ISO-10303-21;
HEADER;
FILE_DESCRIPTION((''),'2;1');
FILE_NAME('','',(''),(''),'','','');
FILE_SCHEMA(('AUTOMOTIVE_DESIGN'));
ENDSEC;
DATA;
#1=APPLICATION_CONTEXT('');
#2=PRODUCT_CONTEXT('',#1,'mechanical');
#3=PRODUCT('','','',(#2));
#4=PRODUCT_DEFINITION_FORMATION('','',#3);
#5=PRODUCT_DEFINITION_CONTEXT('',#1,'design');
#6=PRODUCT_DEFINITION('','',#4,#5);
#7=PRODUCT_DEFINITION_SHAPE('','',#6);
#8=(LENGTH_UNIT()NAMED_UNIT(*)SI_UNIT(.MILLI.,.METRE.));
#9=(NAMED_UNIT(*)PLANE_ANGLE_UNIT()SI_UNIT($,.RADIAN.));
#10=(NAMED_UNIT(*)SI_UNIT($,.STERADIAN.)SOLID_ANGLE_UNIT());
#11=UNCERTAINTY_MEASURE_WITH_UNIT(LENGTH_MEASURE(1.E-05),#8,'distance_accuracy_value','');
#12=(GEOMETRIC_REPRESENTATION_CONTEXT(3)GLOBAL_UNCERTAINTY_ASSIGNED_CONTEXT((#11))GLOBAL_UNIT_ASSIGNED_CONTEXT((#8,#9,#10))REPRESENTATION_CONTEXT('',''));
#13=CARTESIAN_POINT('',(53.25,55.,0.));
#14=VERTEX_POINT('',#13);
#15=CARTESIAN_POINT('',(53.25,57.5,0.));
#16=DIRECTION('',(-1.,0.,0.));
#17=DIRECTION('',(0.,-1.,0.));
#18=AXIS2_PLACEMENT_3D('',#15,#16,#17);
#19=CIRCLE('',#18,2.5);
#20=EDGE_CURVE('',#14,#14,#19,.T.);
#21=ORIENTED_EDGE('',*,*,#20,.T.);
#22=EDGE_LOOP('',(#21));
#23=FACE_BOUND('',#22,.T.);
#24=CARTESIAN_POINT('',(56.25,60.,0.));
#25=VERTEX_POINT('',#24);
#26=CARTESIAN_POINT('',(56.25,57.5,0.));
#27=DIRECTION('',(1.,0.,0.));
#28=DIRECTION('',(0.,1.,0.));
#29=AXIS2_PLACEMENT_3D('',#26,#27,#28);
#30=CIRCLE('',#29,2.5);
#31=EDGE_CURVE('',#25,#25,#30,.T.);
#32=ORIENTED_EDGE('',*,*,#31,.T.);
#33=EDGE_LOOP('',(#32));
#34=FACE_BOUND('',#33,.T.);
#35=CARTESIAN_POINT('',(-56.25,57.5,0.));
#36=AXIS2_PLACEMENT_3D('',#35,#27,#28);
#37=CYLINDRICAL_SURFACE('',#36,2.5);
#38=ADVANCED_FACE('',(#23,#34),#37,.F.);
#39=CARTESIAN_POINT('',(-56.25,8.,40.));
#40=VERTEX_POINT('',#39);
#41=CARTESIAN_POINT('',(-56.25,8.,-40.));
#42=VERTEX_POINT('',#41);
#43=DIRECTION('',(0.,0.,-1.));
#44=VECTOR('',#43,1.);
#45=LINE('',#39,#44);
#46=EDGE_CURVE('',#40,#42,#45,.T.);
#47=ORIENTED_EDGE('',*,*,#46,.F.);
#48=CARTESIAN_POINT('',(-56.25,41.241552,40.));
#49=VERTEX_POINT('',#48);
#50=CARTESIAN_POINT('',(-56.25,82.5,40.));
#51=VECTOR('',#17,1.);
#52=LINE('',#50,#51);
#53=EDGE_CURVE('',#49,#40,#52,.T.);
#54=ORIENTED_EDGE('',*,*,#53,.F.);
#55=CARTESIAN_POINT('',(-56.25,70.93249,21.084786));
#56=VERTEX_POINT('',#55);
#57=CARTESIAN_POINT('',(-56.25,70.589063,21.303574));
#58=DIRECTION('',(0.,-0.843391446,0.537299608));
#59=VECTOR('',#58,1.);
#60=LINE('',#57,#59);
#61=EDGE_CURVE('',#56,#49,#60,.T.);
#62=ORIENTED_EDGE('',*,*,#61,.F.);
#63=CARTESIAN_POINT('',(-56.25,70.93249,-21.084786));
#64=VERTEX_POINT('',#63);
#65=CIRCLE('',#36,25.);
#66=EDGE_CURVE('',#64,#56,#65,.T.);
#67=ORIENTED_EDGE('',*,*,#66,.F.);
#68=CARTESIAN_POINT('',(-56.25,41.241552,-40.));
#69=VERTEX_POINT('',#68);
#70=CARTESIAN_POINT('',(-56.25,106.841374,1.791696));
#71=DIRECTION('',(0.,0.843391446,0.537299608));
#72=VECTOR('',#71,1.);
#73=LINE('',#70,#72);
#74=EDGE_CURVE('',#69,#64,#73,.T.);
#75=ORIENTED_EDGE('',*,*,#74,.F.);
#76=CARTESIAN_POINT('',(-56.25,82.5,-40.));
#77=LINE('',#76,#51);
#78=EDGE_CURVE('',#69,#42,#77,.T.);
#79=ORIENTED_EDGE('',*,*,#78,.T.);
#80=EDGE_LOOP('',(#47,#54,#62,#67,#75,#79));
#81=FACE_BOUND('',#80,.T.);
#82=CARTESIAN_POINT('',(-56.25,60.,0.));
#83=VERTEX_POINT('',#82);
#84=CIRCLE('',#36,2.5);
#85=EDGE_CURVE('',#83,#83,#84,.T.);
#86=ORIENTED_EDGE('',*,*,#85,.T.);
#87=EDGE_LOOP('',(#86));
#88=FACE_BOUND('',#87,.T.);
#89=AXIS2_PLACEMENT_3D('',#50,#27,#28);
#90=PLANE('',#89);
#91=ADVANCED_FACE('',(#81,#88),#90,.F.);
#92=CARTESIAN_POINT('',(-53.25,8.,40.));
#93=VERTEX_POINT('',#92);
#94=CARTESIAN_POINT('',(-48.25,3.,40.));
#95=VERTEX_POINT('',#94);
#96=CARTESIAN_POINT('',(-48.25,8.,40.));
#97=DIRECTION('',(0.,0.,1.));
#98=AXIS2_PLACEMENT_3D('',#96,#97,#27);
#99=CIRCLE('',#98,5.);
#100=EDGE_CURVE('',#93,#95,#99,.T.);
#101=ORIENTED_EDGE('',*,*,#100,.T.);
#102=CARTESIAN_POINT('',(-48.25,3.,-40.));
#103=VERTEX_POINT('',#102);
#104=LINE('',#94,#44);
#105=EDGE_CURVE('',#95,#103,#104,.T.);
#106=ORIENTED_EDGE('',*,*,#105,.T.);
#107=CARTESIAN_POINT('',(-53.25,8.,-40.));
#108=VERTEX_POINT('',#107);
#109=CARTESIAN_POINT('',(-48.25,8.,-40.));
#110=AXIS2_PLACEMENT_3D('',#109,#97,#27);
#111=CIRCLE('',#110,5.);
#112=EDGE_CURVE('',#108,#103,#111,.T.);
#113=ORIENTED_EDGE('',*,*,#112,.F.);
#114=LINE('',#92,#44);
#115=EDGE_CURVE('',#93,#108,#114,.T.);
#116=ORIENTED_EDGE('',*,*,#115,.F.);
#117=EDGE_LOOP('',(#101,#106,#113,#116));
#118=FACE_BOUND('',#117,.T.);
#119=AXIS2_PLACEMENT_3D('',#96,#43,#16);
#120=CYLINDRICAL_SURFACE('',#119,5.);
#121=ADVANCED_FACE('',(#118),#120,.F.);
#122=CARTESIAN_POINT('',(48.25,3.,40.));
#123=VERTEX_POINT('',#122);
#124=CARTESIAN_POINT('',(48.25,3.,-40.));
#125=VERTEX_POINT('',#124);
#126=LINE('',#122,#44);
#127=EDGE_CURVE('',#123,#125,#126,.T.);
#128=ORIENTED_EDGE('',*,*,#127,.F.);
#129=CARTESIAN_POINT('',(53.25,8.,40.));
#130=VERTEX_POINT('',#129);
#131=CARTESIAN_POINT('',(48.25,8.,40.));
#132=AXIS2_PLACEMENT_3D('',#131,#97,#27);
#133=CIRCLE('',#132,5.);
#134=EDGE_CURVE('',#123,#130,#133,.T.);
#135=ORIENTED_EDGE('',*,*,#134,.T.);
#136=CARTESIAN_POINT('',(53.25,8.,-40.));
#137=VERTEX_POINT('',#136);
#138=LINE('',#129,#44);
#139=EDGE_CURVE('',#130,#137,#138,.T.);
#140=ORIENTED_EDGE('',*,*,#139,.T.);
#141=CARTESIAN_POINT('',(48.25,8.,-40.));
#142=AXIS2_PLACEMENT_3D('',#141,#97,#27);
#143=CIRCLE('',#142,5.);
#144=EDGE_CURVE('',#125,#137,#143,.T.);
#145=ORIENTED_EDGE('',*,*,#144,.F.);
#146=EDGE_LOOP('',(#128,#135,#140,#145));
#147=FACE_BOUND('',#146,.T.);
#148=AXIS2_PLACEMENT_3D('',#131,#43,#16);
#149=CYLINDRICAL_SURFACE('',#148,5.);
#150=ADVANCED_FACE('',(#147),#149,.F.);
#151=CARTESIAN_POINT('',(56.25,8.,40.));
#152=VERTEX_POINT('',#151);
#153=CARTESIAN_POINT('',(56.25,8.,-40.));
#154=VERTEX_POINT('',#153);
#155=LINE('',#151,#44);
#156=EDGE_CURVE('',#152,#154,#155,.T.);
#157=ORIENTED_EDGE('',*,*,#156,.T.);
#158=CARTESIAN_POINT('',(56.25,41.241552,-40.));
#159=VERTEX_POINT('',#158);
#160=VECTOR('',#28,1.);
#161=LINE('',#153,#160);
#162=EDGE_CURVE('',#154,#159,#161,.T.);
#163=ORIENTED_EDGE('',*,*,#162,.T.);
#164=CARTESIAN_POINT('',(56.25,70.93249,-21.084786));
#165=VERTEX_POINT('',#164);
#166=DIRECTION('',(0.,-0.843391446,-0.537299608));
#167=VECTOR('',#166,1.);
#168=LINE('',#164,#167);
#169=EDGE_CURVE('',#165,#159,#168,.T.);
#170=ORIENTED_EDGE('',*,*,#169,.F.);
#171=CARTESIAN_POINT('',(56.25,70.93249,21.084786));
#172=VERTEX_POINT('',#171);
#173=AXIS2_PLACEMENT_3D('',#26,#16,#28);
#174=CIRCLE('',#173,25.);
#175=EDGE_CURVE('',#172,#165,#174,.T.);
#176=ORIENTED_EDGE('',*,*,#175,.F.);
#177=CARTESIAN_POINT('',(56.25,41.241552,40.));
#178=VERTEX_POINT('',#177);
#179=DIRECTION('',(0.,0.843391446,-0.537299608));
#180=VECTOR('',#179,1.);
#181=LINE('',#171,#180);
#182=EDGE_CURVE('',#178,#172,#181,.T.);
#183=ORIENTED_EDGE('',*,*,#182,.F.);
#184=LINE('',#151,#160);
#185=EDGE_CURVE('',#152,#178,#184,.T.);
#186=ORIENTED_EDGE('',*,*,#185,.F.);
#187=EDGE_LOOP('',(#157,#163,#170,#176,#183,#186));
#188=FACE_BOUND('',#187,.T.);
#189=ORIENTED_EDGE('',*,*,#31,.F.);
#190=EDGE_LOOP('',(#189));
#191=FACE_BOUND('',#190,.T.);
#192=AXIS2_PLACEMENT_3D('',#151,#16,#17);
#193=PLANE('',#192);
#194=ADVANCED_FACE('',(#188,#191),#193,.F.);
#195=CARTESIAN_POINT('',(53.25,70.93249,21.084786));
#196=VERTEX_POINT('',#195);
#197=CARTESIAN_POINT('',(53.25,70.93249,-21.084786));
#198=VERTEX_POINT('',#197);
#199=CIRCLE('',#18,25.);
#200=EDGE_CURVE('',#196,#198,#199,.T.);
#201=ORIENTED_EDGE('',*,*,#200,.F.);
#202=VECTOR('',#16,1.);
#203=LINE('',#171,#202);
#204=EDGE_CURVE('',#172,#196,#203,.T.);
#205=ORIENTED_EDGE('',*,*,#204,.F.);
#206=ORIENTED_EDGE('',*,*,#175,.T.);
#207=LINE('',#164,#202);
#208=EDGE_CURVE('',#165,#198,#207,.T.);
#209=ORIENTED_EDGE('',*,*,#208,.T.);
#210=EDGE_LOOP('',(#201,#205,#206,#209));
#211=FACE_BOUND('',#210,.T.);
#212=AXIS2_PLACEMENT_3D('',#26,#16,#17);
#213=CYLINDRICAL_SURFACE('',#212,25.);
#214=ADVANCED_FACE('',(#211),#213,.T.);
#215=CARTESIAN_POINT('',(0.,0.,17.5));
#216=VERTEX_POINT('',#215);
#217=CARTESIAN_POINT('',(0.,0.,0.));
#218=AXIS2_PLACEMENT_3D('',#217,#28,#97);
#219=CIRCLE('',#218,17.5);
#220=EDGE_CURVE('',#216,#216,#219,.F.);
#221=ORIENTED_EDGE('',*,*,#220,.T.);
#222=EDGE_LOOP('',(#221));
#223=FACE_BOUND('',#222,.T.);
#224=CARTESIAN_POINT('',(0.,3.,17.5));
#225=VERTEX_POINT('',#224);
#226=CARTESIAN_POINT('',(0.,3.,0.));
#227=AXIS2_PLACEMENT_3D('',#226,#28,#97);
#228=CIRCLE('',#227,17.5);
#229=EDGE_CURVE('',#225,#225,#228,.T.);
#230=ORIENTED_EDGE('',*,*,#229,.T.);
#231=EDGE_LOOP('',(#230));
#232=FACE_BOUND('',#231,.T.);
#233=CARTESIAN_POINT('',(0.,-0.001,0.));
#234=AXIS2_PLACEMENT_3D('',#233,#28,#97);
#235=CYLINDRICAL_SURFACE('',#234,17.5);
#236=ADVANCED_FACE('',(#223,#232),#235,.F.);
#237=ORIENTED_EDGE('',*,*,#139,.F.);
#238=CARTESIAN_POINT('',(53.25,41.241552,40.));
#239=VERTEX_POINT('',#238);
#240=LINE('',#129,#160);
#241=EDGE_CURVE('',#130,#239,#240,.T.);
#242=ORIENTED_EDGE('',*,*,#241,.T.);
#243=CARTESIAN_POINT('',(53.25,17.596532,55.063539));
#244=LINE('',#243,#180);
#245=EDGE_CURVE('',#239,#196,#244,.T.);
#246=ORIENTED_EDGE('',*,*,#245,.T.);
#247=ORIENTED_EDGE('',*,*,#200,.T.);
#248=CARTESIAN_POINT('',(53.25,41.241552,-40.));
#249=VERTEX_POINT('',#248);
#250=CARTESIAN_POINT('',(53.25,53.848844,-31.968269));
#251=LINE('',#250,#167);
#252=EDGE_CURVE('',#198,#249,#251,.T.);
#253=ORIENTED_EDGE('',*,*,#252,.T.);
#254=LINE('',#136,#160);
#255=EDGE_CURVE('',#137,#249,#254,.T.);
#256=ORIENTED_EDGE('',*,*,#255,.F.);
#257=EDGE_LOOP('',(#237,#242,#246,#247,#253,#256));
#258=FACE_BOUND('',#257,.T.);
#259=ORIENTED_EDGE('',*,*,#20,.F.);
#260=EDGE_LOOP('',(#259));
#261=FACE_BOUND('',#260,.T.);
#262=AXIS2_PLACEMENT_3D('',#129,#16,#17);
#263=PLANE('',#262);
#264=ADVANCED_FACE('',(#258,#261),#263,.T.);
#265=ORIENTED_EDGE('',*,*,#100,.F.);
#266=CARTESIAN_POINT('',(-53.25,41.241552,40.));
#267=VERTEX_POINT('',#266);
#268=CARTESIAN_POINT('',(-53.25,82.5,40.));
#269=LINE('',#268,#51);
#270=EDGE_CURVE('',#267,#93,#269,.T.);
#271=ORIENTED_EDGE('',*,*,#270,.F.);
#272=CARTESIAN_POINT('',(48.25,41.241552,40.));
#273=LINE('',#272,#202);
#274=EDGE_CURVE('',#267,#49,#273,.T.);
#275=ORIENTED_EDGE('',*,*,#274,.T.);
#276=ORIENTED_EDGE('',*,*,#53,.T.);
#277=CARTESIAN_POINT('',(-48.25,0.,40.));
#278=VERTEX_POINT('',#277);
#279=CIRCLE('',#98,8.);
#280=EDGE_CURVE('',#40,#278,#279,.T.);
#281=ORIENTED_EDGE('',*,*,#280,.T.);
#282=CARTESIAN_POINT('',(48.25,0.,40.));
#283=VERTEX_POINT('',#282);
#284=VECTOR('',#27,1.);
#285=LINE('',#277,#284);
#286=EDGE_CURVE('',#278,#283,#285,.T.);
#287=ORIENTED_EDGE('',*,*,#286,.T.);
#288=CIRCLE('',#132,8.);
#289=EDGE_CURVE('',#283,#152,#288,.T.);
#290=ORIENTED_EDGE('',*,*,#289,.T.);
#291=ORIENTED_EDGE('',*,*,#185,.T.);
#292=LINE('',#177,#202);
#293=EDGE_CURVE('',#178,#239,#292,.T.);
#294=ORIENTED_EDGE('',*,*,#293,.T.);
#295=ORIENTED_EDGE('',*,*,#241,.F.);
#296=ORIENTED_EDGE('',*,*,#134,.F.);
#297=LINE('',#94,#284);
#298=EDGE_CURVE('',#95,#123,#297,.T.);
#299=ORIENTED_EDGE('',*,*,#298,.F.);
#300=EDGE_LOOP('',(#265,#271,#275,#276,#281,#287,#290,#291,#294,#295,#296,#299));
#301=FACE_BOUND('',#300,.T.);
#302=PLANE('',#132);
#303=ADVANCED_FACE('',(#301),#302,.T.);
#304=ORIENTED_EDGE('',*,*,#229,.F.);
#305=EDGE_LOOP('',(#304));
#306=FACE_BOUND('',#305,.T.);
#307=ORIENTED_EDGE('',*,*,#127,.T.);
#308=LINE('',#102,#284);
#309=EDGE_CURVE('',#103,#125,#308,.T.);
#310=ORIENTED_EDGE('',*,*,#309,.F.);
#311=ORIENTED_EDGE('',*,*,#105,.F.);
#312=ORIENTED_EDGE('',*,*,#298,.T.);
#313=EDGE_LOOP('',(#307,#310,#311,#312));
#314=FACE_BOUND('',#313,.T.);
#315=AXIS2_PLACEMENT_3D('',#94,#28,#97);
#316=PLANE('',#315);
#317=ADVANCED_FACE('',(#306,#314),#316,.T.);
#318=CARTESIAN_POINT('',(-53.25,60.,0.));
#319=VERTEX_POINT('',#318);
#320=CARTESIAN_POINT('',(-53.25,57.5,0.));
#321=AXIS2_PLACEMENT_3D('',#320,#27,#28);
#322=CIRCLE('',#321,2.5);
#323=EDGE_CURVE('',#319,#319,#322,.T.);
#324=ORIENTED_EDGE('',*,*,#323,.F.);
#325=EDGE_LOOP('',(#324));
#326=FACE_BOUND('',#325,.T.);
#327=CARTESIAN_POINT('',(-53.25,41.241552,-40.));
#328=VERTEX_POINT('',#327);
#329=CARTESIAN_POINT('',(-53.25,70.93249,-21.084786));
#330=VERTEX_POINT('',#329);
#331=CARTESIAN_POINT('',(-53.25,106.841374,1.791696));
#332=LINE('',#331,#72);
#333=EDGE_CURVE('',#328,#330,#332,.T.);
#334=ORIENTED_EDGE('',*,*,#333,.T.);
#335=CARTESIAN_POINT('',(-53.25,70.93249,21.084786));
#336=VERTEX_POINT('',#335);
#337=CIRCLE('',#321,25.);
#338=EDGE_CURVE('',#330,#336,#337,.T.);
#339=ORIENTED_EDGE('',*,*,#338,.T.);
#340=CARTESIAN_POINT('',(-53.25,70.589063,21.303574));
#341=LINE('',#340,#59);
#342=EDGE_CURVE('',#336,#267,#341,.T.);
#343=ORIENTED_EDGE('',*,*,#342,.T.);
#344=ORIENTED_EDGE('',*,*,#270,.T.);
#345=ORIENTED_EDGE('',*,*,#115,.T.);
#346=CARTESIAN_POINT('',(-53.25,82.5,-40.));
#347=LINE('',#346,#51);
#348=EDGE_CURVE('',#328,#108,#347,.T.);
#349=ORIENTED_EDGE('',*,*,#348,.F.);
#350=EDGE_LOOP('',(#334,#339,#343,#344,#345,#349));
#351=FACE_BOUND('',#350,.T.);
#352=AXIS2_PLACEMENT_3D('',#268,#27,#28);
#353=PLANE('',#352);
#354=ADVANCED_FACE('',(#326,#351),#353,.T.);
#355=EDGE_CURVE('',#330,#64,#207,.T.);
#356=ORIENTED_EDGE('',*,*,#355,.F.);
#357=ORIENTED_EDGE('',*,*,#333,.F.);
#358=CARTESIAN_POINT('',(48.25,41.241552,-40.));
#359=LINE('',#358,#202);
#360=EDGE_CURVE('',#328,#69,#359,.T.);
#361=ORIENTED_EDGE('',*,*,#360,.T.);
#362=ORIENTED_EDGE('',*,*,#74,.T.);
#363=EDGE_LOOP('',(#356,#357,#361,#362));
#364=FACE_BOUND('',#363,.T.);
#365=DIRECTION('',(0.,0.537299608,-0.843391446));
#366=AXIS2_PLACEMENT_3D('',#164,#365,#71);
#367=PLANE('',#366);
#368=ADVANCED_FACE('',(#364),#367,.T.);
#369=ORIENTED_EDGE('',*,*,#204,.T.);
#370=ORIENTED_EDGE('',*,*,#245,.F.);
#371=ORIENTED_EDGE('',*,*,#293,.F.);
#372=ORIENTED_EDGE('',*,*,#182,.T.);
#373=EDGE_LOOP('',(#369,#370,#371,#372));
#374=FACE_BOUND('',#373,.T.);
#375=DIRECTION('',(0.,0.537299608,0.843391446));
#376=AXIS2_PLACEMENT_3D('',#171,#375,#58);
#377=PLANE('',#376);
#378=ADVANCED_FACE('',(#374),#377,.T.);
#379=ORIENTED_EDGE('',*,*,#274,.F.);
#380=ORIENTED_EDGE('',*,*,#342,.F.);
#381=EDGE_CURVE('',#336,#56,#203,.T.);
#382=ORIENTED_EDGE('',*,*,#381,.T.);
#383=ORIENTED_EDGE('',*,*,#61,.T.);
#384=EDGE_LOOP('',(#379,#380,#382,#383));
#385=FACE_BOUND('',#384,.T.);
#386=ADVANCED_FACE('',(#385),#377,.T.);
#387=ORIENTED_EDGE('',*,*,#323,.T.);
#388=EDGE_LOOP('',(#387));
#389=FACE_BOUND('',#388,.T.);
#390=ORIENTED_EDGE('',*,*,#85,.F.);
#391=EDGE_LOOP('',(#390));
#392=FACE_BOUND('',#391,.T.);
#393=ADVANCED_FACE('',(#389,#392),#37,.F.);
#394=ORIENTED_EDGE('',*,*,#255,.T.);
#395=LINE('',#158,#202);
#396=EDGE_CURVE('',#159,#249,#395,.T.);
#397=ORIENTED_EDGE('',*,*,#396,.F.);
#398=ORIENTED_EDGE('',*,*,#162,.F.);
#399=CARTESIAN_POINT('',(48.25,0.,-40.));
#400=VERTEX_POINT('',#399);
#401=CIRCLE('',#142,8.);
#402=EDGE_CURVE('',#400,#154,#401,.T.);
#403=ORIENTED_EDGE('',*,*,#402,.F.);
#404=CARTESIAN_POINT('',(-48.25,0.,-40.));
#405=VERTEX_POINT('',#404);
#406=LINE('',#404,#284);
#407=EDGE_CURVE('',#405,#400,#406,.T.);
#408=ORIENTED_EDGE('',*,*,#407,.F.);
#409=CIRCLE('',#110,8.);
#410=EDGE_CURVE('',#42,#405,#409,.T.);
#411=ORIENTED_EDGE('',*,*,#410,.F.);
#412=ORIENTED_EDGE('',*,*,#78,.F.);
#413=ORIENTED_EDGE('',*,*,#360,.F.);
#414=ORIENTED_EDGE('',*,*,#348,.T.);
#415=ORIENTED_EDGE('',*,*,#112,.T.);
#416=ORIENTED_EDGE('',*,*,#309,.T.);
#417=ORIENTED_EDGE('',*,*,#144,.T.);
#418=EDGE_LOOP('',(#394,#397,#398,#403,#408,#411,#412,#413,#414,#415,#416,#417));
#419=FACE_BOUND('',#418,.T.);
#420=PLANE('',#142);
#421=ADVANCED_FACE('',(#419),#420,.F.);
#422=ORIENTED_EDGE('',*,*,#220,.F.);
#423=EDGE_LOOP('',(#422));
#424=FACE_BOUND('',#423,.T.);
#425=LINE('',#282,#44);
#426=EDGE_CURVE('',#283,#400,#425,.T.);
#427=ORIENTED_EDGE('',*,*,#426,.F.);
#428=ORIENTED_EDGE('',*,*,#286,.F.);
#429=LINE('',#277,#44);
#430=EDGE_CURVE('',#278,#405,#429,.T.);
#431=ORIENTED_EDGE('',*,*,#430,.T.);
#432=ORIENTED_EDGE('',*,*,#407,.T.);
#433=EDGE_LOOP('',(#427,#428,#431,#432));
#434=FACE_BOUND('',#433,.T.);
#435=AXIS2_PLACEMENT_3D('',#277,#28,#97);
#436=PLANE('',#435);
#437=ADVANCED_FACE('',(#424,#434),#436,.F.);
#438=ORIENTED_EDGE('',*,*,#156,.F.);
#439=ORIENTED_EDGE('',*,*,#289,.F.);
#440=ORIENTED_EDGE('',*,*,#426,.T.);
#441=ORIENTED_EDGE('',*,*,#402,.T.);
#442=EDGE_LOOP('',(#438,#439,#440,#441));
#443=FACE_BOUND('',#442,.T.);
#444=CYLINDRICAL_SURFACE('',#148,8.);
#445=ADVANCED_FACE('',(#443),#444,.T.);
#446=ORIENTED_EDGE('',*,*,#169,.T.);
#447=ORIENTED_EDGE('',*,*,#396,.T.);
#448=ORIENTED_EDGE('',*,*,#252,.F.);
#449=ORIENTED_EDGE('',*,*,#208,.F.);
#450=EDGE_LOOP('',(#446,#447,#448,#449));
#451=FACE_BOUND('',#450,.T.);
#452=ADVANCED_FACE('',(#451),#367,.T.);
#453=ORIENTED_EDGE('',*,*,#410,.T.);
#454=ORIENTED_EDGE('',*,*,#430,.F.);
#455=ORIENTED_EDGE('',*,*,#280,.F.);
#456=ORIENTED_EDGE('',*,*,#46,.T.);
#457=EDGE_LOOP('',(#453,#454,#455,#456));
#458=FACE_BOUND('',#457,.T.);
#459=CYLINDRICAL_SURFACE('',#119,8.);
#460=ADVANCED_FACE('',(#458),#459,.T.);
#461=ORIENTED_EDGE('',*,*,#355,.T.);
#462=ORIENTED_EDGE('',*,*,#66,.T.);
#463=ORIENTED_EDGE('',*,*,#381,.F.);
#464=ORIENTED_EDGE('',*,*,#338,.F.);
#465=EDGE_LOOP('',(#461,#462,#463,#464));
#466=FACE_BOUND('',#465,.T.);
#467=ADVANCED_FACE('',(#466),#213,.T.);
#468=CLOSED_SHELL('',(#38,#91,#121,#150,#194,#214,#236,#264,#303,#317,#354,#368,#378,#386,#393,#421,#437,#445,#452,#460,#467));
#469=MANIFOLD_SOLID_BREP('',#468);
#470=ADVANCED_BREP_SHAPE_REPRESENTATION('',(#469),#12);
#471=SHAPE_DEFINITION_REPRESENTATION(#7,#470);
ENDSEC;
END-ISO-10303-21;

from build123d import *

# Parameters (mm, degrees)
EXTRU_MINCE1_DEPTH      = 40
ENL_V_MAT_EXTRU_1_REACH = 107.282
ESQUISSE2_R             = 17.5
ENL_V_MAT_EXTRU_2_DEPTH = 146.129252737
ESQUISSE4_R             = 2.5
ENL_V_MAT_EXTRU_3_DEPTH = 146.129252737


with BuildPart() as part:
    # Esquisse1 → Extru.-Mince1 (new, symmetric)
    with BuildSketch(Plane.XY):
        with BuildLine():
            Line((-56.25, 82.5), (-56.25, 8))
            ThreePointArc((-56.25, 8), (-53.906854249, 2.343145751), (-48.25, 0))
            Line((-48.25, 0), (48.25, 0))
            ThreePointArc((48.25, 0), (53.906854249, 2.343145751), (56.25, 8))
            Line((56.25, 8), (56.25, 82.5))
            Line((56.25, 82.5), (53.25, 82.5))
            Line((53.25, 82.5), (53.25, 8))
            ThreePointArc((53.25, 8), (51.785533906, 4.464466094), (48.25, 3))
            Line((48.25, 3), (-48.25, 3))
            ThreePointArc((-48.25, 3), (-51.785533906, 4.464466094), (-53.25, 8))
            Line((-53.25, 8), (-53.25, 82.5))
            Line((-53.25, 82.5), (-56.25, 82.5))
        make_face()
    extrude(amount=EXTRU_MINCE1_DEPTH, both=True)

    # Esquisse2 → Enlèv. mat.-Extru.1 (cut, up to next)
    with BuildSketch(Plane(origin=(0, 3, 0), x_dir=(-1, 0, 0), z_dir=(0, 1, 0)), mode=Mode.PRIVATE) as enl_v_mat_extru_1_sk1:
        with Locations(Location((0, 0, 0), (0, 0, 90))):
            Circle(ESQUISSE2_R)
    enl_v_mat_extru_1_tool1 = extrude(enl_v_mat_extru_1_sk1.sketch, amount=-ENL_V_MAT_EXTRU_1_REACH, mode=Mode.PRIVATE) & part.part
    add(enl_v_mat_extru_1_tool1.solids().sort_by_distance((0, 3, 0))[0], mode=Mode.SUBTRACT)

    # Esquisse3 → Enlèv. mat.-Extru.2 (cut, through all)
    with BuildSketch(Plane(origin=(56.25, 0, 0), x_dir=(0, 0, -1), z_dir=(1, 0, 0))):
        with BuildLine():
            Line((-40, 41.241551833), (-21.084786145, 70.932490209))
            ThreePointArc((-21.084786145, 70.932490209), (-12.024719175, 79.418168919), (1.1e-07, 82.5))
            Line((1.1e-07, 82.5), (-40, 82.5))
            Line((-40, 82.5), (-40, 41.241551833))
        make_face()
        with BuildLine():
            Line((40, 82.5), (1.1e-07, 82.5))
            ThreePointArc((1.1e-07, 82.5), (12.024719271, 79.418168866), (21.084786145, 70.932490209))
            Line((21.084786145, 70.932490209), (40, 41.241551833))
            Line((40, 41.241551833), (40, 82.5))
        make_face()
    extrude(amount=-ENL_V_MAT_EXTRU_2_DEPTH, mode=Mode.SUBTRACT)

    # Esquisse4 → Enlèv. mat.-Extru.3 (cut, through all)
    with BuildSketch(Plane(origin=(56.25, 0, 0), x_dir=(0, 0, -1), z_dir=(1, 0, 0))):
        with Locations(Location((0, 57.5, 0), (0, 0, 90))):
            Circle(ESQUISSE4_R)
    extrude(amount=-ENL_V_MAT_EXTRU_3_DEPTH, mode=Mode.SUBTRACT)


solid = part.part
